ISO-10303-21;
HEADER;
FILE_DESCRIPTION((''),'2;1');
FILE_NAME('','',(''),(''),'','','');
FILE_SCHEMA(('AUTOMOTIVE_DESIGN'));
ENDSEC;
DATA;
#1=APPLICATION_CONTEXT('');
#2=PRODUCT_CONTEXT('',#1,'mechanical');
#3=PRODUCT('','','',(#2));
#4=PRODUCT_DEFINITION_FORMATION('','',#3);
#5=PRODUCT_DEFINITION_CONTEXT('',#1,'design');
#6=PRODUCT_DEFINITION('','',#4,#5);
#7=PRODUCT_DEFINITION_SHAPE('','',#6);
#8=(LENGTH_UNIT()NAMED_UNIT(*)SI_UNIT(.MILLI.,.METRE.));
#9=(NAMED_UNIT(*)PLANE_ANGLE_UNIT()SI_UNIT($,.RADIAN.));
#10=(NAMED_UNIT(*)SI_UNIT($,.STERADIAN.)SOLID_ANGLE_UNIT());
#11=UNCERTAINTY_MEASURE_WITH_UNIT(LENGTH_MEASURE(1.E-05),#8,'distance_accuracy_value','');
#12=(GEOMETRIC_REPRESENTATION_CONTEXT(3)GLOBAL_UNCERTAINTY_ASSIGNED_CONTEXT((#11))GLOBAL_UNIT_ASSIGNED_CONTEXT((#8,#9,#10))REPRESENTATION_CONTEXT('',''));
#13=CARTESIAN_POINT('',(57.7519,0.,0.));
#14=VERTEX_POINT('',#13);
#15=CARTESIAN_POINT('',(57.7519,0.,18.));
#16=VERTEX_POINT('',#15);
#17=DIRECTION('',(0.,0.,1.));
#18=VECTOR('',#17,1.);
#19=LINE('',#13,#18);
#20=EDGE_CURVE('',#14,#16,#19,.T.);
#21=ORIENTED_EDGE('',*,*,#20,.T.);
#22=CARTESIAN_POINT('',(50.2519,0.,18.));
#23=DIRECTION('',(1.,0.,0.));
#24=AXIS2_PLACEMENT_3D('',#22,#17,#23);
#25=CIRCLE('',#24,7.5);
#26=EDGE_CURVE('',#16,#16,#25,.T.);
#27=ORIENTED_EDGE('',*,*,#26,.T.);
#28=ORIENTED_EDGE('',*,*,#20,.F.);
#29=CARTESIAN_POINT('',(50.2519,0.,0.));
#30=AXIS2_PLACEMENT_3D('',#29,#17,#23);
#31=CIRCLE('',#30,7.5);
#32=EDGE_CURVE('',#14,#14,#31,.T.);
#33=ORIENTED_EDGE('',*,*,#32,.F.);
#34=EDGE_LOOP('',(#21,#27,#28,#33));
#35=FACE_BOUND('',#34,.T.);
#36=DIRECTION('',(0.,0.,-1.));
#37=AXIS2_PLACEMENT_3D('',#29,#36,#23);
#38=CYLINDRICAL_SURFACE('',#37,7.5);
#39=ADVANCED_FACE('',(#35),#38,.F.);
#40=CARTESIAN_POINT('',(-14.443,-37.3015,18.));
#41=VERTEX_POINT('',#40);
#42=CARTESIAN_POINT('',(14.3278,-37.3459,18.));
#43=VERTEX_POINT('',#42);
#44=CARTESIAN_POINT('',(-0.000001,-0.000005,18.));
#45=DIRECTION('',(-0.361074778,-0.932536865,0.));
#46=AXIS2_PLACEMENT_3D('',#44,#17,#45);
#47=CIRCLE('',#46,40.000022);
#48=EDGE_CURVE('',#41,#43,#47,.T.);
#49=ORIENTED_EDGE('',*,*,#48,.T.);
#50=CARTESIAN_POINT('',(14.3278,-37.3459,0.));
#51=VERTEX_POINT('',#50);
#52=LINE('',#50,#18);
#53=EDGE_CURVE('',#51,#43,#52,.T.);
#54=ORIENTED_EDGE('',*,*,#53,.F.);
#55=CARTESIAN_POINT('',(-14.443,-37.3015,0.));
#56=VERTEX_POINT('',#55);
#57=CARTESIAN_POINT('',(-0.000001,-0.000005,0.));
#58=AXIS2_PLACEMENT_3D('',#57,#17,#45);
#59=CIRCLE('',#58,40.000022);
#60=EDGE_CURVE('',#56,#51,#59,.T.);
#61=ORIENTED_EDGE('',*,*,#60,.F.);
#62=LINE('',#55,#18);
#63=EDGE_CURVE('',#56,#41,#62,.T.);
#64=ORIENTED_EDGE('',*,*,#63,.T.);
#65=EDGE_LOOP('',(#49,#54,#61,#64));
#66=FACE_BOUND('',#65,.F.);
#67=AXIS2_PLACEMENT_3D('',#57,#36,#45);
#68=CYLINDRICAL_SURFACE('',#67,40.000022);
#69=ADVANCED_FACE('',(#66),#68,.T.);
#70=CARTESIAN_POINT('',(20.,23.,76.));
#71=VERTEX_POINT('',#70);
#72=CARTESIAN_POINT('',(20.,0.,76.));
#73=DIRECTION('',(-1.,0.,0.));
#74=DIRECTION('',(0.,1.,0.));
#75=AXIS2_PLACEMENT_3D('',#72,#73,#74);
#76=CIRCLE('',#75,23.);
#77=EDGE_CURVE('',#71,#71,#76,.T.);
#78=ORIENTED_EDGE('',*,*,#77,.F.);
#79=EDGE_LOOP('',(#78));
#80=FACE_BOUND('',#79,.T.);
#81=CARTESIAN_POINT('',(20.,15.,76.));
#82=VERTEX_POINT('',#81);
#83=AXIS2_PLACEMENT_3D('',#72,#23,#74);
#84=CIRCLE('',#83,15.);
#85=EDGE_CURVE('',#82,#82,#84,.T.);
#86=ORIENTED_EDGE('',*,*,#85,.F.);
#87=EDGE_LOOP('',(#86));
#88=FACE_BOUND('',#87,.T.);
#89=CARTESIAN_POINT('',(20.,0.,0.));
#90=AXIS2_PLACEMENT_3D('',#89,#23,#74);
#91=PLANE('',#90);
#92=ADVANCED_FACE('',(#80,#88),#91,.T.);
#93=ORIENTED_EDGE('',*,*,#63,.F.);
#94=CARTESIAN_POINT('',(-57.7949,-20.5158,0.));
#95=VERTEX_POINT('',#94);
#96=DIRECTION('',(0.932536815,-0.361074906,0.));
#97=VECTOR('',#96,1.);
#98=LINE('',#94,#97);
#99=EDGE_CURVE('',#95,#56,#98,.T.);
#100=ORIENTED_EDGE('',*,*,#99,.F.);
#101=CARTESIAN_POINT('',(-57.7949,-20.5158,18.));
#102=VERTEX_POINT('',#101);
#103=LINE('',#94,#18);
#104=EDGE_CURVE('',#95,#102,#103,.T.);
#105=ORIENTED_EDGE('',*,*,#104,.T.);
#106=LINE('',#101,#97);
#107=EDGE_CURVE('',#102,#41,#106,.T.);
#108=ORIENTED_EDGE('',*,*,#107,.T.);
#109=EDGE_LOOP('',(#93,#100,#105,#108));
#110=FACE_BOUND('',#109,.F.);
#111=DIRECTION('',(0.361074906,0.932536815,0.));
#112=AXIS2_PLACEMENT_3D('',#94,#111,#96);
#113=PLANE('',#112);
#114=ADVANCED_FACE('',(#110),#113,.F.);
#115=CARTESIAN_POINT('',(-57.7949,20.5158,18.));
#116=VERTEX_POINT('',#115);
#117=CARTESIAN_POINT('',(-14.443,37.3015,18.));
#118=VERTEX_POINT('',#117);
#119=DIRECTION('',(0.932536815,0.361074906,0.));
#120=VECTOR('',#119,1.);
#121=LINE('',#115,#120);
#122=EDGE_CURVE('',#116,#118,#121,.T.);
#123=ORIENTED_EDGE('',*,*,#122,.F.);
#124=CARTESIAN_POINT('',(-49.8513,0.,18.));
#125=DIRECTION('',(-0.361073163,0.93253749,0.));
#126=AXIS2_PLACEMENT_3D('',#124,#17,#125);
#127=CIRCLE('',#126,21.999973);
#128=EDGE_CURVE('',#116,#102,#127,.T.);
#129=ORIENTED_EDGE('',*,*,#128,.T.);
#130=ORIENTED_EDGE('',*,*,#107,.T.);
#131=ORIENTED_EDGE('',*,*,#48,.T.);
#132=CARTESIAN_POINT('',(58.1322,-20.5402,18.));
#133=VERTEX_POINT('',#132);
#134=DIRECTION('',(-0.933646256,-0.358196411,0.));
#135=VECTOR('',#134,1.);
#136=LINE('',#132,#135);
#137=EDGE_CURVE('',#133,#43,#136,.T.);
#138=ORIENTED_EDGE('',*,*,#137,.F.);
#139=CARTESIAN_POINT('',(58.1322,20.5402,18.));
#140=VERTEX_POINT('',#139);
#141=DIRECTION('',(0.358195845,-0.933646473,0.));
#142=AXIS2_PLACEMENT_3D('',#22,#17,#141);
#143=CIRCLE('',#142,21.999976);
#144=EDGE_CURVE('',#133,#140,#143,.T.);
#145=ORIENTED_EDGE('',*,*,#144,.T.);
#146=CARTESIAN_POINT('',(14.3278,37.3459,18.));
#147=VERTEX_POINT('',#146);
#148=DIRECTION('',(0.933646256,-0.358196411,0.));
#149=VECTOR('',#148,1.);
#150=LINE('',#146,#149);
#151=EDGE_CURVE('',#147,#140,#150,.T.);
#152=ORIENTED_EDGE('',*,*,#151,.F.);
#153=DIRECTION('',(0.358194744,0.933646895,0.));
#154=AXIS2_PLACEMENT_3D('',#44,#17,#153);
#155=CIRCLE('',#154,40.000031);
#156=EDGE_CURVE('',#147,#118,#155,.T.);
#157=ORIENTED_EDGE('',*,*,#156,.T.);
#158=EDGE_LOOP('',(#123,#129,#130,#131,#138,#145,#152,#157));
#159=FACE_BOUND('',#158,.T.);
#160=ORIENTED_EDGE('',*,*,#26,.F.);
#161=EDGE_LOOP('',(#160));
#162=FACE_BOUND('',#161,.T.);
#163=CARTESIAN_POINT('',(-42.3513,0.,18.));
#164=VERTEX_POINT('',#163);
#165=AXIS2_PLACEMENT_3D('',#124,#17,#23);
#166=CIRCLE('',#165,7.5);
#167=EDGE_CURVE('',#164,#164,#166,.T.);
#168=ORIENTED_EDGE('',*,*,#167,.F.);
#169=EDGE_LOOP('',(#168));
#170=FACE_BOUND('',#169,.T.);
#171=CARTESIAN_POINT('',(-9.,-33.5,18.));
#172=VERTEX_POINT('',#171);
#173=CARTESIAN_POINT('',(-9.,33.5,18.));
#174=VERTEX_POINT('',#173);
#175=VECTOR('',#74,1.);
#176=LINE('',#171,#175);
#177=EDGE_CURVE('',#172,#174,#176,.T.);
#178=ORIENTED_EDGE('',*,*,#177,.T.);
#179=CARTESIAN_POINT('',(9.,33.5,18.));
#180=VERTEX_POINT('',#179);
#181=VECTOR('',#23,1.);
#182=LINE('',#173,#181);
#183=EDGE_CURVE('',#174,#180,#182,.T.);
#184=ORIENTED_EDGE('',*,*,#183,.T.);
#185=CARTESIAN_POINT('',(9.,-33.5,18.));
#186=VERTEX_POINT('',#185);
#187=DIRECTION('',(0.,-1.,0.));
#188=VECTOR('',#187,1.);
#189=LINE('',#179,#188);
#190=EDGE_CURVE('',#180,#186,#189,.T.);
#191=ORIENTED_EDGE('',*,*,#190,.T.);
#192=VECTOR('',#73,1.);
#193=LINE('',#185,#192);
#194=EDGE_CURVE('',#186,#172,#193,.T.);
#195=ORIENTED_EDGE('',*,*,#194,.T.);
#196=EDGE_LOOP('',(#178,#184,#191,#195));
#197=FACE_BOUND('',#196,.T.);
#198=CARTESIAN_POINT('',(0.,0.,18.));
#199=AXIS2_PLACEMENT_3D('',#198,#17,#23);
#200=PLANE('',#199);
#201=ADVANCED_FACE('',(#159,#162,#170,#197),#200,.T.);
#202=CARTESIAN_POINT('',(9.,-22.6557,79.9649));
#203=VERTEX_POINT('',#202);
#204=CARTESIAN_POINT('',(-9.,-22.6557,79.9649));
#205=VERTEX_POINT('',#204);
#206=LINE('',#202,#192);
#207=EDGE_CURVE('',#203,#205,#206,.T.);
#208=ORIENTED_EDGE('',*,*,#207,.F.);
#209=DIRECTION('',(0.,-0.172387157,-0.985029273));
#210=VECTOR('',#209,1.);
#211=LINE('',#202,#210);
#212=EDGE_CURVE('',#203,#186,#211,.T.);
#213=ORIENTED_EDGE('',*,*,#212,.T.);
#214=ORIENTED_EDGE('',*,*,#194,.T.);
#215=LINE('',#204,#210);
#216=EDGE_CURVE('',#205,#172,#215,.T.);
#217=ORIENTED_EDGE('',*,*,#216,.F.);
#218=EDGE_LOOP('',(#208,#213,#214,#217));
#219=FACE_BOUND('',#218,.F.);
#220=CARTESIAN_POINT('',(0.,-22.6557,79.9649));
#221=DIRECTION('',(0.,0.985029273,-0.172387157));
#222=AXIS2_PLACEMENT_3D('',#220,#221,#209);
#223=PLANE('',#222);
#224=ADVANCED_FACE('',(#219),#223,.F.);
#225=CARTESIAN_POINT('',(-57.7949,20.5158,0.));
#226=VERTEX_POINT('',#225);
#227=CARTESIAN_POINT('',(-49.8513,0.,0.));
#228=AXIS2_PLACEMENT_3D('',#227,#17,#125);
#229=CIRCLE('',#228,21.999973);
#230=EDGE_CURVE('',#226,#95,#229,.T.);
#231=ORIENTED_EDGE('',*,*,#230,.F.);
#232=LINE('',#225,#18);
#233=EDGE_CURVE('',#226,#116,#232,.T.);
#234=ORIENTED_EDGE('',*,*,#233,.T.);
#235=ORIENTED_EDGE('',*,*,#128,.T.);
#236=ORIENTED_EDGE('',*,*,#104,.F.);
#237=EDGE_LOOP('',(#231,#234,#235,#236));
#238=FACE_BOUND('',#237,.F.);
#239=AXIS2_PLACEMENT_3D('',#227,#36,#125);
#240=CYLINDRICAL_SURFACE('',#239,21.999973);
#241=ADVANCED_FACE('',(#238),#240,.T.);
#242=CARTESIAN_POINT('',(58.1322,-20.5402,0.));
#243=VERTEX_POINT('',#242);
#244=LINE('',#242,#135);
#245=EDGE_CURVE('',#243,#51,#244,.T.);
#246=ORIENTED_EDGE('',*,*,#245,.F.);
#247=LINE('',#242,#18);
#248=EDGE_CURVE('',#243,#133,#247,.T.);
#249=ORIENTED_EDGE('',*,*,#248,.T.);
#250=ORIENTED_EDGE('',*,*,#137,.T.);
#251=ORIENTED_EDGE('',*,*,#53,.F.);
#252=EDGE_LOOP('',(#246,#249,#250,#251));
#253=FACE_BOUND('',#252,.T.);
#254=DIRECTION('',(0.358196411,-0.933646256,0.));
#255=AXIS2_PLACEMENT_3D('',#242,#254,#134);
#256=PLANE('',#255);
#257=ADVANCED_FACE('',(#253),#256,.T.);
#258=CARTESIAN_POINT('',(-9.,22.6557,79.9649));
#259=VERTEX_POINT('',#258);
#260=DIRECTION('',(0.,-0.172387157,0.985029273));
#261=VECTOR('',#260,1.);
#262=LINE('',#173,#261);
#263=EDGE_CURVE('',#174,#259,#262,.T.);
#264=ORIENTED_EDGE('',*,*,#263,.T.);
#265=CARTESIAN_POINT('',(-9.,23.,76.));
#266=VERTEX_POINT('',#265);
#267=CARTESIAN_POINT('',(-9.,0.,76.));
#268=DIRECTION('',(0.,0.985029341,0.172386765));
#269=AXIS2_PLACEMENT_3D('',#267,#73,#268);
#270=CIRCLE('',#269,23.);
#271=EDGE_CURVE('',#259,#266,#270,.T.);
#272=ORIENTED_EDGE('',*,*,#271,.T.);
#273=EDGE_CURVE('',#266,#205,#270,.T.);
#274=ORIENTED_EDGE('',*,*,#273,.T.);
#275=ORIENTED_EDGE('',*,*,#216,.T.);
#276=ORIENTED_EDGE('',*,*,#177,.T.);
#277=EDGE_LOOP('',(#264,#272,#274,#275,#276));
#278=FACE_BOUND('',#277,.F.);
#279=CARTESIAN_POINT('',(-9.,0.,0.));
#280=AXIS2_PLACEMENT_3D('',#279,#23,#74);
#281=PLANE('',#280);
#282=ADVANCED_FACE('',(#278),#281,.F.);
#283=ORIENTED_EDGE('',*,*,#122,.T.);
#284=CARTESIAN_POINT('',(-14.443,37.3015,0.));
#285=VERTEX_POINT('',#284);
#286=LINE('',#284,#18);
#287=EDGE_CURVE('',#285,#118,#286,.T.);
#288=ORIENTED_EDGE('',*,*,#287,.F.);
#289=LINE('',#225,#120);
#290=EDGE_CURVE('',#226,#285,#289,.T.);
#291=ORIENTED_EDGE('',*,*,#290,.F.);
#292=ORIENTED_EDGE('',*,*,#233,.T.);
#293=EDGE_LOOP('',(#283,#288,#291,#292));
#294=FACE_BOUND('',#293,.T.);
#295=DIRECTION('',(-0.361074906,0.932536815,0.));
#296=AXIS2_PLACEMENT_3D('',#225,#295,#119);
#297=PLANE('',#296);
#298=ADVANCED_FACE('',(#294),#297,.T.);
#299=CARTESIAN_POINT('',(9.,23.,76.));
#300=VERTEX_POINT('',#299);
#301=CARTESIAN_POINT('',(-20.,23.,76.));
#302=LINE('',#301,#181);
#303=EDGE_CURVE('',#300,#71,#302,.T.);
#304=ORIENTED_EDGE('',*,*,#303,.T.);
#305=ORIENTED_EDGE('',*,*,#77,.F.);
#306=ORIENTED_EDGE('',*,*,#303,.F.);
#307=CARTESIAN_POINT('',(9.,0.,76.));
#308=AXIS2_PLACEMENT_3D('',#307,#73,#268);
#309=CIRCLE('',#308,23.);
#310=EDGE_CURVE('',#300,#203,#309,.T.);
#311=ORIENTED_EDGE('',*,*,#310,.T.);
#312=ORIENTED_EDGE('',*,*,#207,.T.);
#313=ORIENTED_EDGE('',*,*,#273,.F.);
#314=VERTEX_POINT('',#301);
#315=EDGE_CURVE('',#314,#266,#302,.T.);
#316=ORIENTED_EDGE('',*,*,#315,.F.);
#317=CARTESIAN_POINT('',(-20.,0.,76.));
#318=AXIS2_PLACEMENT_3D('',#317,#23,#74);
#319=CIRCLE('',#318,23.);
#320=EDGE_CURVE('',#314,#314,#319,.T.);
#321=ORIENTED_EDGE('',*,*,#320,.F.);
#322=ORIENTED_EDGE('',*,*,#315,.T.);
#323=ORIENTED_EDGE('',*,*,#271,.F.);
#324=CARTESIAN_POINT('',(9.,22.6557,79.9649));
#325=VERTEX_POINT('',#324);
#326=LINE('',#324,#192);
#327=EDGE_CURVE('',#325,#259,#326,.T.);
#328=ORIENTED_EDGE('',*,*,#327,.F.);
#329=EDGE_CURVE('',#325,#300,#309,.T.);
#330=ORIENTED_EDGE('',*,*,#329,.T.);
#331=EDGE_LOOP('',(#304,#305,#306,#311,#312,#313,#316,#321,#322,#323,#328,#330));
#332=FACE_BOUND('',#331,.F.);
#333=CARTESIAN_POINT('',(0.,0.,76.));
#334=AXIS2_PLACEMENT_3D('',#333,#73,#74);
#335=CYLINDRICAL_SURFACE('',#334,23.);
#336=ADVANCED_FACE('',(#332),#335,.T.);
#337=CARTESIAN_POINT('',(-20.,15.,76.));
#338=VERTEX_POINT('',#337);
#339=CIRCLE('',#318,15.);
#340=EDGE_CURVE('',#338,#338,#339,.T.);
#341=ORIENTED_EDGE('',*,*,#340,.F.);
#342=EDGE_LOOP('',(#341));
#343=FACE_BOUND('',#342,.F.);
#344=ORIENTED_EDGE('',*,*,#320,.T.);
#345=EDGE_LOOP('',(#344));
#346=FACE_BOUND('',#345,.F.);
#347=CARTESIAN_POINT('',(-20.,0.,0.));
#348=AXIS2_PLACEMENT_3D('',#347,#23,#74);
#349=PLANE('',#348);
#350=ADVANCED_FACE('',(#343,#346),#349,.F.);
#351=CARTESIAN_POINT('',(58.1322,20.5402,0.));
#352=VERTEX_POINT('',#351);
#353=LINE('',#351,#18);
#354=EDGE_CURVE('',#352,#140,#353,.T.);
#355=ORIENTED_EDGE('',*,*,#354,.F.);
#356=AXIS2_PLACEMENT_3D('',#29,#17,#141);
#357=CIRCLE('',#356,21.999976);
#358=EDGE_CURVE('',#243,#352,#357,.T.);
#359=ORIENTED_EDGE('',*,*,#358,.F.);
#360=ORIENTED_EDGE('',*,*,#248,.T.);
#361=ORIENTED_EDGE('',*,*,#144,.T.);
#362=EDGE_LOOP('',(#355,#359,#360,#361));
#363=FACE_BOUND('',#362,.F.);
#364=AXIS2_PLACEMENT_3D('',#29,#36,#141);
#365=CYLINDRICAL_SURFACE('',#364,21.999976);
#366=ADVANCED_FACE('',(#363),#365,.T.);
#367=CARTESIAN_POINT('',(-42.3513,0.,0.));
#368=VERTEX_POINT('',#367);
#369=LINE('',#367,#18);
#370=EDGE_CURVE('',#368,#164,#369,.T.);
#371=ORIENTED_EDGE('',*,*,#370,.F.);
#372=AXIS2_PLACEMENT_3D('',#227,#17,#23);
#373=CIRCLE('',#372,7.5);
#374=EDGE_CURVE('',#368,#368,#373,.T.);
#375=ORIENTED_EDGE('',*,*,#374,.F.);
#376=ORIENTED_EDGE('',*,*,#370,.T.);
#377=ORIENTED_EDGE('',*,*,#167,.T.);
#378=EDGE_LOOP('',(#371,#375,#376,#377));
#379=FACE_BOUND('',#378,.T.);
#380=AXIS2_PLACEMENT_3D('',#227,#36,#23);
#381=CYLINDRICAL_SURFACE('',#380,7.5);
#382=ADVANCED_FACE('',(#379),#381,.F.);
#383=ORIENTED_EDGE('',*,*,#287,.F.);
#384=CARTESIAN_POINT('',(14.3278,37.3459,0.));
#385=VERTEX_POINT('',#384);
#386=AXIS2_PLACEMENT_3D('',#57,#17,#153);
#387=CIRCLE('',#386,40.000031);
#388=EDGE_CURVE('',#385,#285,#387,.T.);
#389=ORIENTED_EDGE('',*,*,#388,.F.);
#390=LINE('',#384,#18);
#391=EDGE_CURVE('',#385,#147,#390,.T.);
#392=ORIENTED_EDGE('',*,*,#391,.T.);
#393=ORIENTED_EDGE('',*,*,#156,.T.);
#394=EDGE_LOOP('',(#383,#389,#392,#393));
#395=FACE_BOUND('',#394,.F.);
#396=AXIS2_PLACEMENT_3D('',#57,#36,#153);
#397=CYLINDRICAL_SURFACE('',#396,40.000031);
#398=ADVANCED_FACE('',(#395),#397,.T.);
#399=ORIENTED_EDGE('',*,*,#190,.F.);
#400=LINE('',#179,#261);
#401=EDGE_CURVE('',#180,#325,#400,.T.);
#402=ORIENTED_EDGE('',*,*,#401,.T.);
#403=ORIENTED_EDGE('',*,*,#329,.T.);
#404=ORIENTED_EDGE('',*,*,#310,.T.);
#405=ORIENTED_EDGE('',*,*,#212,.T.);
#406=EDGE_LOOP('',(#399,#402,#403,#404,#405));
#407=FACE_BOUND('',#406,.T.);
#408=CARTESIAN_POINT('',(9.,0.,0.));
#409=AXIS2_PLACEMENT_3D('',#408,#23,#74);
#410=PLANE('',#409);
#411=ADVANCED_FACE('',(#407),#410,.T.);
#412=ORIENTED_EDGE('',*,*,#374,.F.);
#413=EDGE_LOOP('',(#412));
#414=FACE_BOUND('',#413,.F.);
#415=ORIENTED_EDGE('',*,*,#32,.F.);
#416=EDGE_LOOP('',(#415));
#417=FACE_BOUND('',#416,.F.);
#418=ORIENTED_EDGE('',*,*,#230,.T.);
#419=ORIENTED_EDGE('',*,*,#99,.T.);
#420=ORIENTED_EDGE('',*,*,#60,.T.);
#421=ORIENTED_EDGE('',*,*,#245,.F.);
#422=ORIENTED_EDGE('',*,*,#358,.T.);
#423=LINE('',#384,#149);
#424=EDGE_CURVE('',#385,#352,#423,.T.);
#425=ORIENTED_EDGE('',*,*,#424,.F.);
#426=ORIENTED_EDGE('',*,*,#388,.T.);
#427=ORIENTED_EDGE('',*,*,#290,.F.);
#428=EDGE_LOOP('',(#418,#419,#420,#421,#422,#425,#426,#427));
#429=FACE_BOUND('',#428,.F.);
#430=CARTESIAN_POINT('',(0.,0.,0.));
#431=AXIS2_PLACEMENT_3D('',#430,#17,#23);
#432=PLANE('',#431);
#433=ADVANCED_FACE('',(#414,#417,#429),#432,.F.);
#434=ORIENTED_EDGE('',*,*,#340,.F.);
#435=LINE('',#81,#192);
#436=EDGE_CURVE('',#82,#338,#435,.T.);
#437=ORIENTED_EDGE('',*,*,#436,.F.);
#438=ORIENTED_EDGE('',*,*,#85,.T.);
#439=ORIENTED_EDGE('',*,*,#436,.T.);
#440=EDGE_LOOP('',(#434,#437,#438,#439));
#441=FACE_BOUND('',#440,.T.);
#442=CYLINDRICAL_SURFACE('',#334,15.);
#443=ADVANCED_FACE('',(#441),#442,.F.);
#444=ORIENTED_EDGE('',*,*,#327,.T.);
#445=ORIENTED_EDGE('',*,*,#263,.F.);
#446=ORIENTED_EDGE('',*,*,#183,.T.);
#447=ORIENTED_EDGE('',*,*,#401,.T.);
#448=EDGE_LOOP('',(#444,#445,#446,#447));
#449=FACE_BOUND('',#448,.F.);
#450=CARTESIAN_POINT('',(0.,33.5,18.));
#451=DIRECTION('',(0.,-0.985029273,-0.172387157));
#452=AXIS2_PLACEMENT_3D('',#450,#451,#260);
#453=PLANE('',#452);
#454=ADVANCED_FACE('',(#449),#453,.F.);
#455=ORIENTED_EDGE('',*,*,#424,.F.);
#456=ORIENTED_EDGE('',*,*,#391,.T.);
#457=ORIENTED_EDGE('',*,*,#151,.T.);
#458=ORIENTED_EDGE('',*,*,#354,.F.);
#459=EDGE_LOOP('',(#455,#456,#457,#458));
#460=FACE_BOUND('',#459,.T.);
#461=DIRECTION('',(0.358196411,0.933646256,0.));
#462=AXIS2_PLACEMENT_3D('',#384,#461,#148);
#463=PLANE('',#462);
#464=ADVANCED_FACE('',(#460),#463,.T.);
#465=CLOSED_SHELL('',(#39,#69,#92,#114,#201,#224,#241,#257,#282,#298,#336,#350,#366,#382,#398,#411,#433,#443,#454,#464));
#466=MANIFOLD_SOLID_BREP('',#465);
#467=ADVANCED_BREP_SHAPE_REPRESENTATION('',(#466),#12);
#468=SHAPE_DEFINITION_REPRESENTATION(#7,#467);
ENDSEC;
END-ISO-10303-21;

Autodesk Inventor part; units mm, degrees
sketch "Sketch1" plane through (0, 0, 0) normal (0, 0, 1) x (1, 0, 0)
  circle A0 centre (-49.8513, 0) radius 7.5
  circle A1 centre (50.2519, 0) radius 7.5
  line L0 (-57.7949, 20.5158) -> (-14.443, 37.3015)
  arc A2 (-57.7949, 20.5158) -> (-57.7949, -20.5158) centre (-49.8513, 0) ccw
  arc A3 (58.1322, -20.5402) -> (58.1322, 20.5402) centre (50.2519, 0) ccw
  line L1 (14.3278, 37.3459) -> (58.1322, 20.5402)
  line L2 (58.1322, -20.5402) -> (14.3278, -37.3459)
  line L3 (-57.7949, -20.5158) -> (-14.443, -37.3015)
  arc A4 (-14.443, -37.3015) -> (14.3278, -37.3459) centre (0, 0) ccw
  arc A5 (14.3278, 37.3459) -> (-14.443, 37.3015) centre (0, 0) ccw
  dimension "d19" = 15
  dimension "d20" = 15
  dimension "d45" = 44
  dimension "d46" = 44
  dimension "d47" = 0
  dimension "d48" = 0
sketch "Sketch2" plane through (0, 0, 0) normal (1, 0, 0) x (0, 1, 0)
  line L0 (-20.5849, 0) -> (20.5849, 0) projected
  line L1 (20.5849, 0) -> (20.5849, 18) projected
  line L2 (-20.5849, 18) -> (-20.5849, 18) projected
  line L3 (-20.5849, 0) -> (-20.5849, 18) projected
  line L4 (-20.5849, 18) -> (-20.5849, 18) projected
  line L5 (-33.5, 18) -> (33.5, 18)
  line L6 (33.5, 18) -> (22.6557, 79.9649)
  line L7 (-22.6557, 79.9649) -> (-33.5, 18)
  circle A0 centre (0, 76) radius 23
  circle A1 centre (0, 76) radius 15
  point P0 (0, 0)
  dimension "d23" = 67
  dimension "d25" = 0
  dimension "d27" = 33.5
  dimension "d37" = 30
  dimension "d38" = 46
  dimension "d39" = 58
extrude "Extrusion5" add sketch "Sketch2" along normal mid plane 18 contours L5 L7 A0 L6
extrude "Extrusion6" add sketch "Sketch2" along normal mid plane 40 contours A0
extrude "Extrusion7" add sketch "Sketch1" along normal blind 18
properties part number "6.2_DATE11_1"
